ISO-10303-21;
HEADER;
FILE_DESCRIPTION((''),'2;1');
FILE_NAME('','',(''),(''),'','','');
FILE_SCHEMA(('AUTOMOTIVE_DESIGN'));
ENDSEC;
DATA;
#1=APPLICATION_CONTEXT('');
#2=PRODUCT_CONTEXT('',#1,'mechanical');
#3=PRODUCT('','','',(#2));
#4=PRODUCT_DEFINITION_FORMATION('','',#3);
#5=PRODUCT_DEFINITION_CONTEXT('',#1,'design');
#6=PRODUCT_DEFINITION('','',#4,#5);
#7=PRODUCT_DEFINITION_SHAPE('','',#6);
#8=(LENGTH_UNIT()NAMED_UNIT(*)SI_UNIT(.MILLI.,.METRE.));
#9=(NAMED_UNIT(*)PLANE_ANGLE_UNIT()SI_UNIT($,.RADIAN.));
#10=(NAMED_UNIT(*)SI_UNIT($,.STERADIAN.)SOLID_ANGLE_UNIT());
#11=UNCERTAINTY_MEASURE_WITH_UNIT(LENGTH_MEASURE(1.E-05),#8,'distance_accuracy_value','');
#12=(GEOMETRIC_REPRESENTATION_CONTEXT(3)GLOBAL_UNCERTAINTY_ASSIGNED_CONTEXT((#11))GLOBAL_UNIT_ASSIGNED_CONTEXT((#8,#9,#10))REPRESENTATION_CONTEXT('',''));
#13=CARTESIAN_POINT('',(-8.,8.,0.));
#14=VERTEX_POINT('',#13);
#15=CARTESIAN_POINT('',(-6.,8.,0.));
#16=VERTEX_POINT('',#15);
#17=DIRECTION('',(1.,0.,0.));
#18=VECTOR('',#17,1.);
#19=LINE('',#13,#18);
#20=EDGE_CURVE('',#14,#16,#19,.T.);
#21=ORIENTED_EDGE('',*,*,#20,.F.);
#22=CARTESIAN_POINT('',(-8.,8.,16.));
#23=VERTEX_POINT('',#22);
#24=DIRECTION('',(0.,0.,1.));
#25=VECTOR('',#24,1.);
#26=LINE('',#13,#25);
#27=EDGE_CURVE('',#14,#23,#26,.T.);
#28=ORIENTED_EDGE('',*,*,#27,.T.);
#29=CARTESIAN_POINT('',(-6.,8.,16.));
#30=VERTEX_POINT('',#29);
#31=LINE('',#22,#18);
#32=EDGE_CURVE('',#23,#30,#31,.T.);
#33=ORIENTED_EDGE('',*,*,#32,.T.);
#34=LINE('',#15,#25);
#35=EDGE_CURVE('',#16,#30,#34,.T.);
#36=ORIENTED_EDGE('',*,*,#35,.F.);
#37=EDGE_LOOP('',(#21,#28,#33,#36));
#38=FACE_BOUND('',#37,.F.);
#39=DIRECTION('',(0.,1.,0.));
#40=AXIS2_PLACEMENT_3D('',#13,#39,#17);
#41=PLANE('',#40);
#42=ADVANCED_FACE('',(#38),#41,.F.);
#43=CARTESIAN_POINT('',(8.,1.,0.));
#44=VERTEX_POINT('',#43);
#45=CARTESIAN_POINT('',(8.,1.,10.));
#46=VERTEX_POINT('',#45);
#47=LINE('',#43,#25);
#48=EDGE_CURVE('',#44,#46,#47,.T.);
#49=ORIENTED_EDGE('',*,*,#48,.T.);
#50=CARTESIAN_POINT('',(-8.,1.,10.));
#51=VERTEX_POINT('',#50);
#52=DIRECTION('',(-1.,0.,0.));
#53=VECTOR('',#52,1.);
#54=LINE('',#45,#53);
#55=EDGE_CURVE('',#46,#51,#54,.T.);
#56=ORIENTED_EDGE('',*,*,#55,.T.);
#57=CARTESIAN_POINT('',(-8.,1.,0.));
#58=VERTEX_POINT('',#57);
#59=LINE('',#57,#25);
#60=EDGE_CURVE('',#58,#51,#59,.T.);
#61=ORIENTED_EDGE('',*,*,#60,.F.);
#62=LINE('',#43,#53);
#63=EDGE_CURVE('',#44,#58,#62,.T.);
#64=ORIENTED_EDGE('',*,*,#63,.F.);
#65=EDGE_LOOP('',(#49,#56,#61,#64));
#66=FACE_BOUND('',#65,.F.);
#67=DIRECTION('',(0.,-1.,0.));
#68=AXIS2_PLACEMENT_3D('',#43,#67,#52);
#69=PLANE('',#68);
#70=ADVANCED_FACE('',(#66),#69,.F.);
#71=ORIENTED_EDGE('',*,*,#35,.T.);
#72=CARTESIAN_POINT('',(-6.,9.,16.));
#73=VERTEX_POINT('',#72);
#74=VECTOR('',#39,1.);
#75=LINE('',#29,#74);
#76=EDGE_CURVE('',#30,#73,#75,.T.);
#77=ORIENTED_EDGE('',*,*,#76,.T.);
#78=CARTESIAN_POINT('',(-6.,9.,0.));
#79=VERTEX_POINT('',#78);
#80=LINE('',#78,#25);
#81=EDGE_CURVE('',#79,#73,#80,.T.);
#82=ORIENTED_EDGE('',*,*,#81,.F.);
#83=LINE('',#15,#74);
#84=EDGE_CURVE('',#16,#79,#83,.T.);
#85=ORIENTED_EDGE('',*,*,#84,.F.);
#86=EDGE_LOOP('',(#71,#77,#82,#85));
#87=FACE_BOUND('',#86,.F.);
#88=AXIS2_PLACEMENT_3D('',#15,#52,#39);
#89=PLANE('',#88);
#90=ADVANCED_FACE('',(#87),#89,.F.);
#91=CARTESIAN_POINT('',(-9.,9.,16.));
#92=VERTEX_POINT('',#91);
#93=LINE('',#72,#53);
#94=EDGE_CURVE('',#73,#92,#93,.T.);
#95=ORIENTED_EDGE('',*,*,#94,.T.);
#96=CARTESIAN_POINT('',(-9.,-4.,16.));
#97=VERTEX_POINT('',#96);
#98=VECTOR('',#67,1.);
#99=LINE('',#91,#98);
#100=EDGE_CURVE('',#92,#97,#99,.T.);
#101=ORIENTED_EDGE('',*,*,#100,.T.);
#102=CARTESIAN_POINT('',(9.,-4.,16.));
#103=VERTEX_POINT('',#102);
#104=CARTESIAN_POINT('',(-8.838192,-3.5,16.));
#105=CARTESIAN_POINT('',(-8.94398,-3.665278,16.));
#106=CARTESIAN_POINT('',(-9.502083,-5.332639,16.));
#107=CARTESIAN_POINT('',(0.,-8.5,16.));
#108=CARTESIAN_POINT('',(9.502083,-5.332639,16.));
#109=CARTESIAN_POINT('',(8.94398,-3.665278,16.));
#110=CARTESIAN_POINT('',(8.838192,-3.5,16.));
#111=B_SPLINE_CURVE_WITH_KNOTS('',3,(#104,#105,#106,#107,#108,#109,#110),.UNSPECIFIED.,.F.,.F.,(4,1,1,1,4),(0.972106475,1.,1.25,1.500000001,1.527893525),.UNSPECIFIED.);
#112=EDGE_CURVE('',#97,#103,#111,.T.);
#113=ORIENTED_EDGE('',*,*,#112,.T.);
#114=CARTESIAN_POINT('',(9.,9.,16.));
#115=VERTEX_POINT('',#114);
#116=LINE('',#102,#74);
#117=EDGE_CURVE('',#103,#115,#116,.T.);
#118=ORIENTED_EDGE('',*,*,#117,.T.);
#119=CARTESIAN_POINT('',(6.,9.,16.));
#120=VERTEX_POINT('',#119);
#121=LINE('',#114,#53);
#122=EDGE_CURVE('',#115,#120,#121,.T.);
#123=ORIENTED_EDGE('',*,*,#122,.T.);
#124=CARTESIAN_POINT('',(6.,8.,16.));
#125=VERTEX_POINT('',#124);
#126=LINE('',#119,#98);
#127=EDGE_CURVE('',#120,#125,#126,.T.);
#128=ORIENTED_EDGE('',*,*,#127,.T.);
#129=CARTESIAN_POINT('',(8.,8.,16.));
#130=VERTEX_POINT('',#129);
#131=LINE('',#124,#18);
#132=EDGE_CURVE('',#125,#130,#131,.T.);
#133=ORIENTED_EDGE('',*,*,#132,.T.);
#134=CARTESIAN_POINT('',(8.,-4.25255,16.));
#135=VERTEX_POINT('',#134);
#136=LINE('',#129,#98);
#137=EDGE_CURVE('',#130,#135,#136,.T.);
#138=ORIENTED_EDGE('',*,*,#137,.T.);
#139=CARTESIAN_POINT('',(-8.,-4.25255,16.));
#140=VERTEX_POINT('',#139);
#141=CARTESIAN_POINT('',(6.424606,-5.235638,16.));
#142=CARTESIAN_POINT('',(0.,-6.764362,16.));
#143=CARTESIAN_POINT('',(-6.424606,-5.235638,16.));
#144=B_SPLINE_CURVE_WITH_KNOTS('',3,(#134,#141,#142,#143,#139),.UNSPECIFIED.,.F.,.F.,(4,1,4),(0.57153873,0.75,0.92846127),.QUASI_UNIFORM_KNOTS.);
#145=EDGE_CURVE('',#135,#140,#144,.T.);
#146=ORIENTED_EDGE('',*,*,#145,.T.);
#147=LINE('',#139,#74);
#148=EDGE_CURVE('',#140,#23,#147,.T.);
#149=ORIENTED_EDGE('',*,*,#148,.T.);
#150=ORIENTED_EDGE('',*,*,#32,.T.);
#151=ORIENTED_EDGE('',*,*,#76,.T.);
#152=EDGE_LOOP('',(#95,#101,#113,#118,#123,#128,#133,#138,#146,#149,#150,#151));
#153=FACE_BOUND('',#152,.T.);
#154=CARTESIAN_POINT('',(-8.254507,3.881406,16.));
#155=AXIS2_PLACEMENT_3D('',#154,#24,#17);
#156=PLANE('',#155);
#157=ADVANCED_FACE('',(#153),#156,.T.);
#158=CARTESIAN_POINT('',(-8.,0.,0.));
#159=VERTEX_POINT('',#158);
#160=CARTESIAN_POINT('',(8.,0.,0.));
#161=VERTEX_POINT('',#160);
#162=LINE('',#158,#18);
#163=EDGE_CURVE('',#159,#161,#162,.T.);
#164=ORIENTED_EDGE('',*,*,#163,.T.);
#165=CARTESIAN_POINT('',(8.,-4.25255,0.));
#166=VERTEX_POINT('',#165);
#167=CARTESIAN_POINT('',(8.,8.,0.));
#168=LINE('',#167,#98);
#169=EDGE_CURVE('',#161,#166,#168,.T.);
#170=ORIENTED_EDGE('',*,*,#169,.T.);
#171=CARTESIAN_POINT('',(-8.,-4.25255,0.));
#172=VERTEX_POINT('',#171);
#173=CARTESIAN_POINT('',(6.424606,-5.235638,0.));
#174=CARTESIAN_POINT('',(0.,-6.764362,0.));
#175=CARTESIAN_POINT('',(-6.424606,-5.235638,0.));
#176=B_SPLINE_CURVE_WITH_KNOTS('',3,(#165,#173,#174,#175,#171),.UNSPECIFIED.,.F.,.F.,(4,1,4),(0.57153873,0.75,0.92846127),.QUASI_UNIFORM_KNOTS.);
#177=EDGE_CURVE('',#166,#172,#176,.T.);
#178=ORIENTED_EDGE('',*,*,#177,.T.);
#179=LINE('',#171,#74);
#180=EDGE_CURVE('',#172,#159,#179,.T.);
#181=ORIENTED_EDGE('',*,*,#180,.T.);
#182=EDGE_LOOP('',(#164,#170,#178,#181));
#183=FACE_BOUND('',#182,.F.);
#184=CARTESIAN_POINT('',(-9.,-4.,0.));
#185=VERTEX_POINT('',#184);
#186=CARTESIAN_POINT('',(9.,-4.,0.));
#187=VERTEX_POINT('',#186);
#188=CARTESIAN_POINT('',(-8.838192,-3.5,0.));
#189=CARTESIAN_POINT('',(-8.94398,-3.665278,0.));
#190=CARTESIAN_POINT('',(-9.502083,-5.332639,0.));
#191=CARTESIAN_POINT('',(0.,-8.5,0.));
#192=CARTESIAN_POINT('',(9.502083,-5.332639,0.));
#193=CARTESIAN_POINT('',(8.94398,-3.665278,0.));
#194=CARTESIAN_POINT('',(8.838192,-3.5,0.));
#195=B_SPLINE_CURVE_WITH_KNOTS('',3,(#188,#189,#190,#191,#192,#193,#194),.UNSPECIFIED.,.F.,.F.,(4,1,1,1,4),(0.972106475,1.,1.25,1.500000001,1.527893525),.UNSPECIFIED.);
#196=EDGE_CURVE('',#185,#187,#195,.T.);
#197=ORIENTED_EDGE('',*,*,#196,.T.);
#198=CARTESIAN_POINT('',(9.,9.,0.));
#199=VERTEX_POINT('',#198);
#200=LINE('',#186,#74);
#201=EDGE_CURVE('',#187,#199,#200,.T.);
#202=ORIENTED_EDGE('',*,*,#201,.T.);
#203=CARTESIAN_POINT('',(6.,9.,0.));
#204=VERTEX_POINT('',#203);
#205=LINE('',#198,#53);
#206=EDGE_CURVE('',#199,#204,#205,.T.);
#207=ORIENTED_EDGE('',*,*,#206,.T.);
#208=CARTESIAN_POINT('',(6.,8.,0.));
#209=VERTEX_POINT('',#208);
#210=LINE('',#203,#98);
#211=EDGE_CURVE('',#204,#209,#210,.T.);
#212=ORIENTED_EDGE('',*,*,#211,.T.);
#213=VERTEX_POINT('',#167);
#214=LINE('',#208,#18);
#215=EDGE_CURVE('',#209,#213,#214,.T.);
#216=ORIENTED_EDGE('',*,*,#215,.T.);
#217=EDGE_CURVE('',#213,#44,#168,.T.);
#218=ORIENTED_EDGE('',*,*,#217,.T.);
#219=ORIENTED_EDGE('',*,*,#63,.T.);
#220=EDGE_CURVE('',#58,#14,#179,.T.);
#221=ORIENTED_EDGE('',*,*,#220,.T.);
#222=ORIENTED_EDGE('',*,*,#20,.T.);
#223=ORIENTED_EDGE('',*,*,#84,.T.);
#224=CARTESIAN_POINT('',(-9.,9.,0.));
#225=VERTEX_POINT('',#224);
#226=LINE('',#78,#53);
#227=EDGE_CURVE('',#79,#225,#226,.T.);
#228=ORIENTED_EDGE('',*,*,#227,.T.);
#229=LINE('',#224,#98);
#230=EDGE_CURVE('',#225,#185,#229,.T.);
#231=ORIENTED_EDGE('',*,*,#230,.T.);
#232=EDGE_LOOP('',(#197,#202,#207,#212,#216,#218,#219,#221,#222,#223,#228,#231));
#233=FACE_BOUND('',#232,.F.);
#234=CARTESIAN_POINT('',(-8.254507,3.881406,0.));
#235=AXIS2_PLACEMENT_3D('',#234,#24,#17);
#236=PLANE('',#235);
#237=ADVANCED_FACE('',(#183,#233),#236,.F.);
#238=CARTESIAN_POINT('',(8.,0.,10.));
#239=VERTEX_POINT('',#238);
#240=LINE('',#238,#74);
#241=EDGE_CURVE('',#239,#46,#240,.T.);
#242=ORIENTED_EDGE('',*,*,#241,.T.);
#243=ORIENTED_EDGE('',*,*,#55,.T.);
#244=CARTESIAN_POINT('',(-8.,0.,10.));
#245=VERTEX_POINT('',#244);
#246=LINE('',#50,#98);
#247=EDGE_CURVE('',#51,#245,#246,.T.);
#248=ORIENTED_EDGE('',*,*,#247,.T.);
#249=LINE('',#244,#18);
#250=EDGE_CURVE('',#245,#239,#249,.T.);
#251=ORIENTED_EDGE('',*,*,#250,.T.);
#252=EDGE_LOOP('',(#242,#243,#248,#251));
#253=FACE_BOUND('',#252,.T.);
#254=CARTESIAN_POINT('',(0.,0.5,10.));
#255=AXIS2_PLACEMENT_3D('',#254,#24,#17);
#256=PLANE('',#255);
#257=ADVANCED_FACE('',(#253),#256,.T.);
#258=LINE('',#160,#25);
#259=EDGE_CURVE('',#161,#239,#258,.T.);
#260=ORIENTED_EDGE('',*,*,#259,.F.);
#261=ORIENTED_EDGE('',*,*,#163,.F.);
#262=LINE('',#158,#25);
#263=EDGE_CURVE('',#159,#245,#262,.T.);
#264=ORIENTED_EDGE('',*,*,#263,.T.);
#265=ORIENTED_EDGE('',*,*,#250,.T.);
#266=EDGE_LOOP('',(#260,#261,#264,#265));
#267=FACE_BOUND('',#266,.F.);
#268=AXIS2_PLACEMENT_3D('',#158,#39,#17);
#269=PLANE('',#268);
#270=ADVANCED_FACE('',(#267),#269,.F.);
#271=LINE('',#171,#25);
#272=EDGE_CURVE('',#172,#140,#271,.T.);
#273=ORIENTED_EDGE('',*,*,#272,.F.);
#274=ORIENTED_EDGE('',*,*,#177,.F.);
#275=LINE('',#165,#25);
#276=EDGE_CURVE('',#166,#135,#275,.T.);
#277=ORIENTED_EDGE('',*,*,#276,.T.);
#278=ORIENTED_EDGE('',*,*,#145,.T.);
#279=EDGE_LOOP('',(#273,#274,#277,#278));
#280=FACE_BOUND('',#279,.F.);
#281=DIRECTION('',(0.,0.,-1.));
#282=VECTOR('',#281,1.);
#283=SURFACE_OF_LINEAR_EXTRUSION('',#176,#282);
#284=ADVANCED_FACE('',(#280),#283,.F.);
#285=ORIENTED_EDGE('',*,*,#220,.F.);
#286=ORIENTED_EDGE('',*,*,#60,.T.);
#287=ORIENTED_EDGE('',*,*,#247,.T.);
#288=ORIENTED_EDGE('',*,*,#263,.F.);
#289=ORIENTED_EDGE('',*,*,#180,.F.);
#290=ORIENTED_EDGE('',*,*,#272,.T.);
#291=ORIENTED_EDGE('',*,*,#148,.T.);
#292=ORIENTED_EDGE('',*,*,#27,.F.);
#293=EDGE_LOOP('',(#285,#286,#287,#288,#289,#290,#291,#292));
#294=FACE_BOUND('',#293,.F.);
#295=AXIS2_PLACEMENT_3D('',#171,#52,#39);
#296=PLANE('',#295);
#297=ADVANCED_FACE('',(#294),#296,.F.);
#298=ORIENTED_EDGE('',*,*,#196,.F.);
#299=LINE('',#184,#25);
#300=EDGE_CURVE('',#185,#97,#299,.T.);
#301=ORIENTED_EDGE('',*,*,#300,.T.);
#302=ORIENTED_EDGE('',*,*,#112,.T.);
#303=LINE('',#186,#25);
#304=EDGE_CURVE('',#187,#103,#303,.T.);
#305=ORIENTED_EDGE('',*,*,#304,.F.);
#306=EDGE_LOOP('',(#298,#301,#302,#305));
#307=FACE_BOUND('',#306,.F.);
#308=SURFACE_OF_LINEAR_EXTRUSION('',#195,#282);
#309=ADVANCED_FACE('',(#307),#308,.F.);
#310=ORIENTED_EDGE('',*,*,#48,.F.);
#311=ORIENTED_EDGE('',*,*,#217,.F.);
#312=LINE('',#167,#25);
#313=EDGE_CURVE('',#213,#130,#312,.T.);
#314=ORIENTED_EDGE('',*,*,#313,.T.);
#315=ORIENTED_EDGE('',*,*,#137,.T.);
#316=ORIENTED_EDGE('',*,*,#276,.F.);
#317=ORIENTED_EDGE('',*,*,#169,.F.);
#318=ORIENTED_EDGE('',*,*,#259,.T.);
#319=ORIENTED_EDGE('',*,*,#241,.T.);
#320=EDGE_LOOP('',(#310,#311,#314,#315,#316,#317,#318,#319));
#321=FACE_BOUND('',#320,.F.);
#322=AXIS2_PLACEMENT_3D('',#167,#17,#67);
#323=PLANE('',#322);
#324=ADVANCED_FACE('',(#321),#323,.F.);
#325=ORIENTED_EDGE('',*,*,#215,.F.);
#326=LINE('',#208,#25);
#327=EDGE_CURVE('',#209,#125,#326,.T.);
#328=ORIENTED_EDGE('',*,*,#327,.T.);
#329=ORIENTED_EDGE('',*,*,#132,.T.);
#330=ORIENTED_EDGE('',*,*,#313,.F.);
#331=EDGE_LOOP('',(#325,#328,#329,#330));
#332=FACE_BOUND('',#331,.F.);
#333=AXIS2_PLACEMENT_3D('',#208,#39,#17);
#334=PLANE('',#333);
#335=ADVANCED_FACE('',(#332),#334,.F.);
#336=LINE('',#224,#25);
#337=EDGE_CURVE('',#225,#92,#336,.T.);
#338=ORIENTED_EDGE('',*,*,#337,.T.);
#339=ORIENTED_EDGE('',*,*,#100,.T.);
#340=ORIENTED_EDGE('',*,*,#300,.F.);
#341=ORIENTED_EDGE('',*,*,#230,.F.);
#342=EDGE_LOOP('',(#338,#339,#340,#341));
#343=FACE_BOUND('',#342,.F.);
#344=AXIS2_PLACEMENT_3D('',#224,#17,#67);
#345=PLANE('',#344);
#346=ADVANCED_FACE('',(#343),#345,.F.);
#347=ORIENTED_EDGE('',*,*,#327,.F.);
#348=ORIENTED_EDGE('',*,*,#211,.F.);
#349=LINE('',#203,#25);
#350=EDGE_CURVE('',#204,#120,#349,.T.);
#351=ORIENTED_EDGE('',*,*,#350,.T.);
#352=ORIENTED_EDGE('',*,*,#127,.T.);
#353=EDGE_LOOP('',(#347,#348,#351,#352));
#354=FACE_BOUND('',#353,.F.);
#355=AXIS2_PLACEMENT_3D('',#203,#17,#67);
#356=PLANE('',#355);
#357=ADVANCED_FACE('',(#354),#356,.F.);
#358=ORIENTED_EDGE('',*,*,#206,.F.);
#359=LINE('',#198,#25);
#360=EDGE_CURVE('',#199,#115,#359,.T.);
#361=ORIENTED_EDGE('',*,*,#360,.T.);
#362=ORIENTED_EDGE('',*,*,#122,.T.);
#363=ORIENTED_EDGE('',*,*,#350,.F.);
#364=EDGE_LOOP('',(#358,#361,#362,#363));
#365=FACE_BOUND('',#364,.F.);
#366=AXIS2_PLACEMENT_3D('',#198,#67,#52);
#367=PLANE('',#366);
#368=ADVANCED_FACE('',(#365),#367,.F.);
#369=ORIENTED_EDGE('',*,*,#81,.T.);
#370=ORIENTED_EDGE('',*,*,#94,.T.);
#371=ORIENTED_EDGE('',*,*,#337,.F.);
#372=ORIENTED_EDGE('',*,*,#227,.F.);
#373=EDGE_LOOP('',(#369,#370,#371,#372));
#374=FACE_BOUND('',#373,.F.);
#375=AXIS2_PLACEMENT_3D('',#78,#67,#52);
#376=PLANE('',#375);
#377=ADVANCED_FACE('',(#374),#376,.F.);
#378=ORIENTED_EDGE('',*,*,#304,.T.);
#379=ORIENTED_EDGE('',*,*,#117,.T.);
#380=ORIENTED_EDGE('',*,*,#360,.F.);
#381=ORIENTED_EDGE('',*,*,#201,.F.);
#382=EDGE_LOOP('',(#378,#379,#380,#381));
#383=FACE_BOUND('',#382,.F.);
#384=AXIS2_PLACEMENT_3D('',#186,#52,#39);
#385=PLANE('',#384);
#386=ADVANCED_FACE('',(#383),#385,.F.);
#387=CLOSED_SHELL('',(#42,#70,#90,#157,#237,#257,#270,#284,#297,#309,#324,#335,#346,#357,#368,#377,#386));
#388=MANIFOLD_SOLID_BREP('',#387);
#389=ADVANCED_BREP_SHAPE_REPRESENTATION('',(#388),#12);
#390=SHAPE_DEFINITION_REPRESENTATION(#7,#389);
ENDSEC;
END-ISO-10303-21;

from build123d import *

# Parameters (mm, degrees)
F1_DEPTH = 16
F2_DEPTH = 10


with BuildPart() as f1:
    # F0 (on Top) → F1 (new body)
    with BuildSketch(Plane.XY):
        with BuildLine():
            Line((-9, 9), (-9, 0))
            Line((-9, 0), (-9, -3))
            add(Edge.make_bspline(
                [(-9, -3), (-9, -2.5707676204), (-8.6315191286, -2.1415352408), (-8, -1.7474503993)],
                knots=[0, 0, 0, 0, 0.0715387299, 0.0715387299, 0.0715387299, 0.0715387299], degree=3))
            Line((-8, -1.7474503993), (-8, 0))
            Line((-8, 0), (-8, 1))
            Line((-8, 1), (-8, 8))
            Line((-8, 8), (-6, 8))
            Line((-6, 8), (-6, 9))
            Line((-6, 9), (-9, 9))
        make_face()
        with BuildLine():
            add(Edge.make_bspline(
                [(-9, -3), (-9, -2.5707676204), (-8.6315191286, -2.1415352408), (-8, -1.7474503993)],
                knots=[0, 0, 0, 0, 0.0715387299, 0.0715387299, 0.0715387299, 0.0715387299], degree=3))
            add(Edge.make_bspline(
                [(-8.8381918042, -3.5), (-8.9439804927, -3.3347222947), (-9, -3.1673611473), (-9, -3)],
                knots=[0.9721064754, 0.9721064754, 0.9721064754, 0.9721064754, 1, 1, 1, 1], degree=3))
            add(Edge.make_bspline(
                [(-8, -2.7474503993), (-8.3852847555, -2.9878784004), (-8.6726634562, -3.2413887449), (-8.8381918042, -3.5)],
                knots=[0.9284612701, 0.9284612701, 0.9284612701, 0.9284612701, 0.9721064754, 0.9721064754, 0.9721064754, 0.9721064754], degree=3))
            Line((-8, -2.7474503993), (-8, -1.7474503993))
        make_face()
        with BuildLine():
            add(Edge.make_bspline(
                [(-8.8381918042, -3.5), (-8.9439804927, -3.3347222947), (-9, -3.1673611473), (-9, -3)],
                knots=[0.9721064754, 0.9721064754, 0.9721064754, 0.9721064754, 1, 1, 1, 1], degree=3))
            Line((-9, -3), (-9, -4))
            add(Edge.make_bspline(
                [(-8.8381918042, -3.5), (-8.9439804927, -3.6652777053), (-9, -3.8326388527), (-9, -4)],
                knots=[0.9721064754, 0.9721064754, 0.9721064754, 0.9721064754, 1, 1, 1, 1], degree=3))
        make_face()
        with BuildLine():
            add(Edge.make_bspline(
                [(-8, -2.7474503993), (-8.3852847555, -2.9878784004), (-8.6726634562, -3.2413887449), (-8.8381918042, -3.5)],
                knots=[0.9284612701, 0.9284612701, 0.9284612701, 0.9284612701, 0.9721064754, 0.9721064754, 0.9721064754, 0.9721064754], degree=3))
            add(Edge.make_bspline(
                [(-8, -4.2525496007), (-8.3852847555, -4.0121215996), (-8.6726634562, -3.7586112551), (-8.8381918042, -3.5)],
                knots=[0.9284612701, 0.9284612701, 0.9284612701, 0.9284612701, 0.9721064754, 0.9721064754, 0.9721064754, 0.9721064754], degree=3))
            Line((-8, -4.2525496007), (-8, -2.7474503993))
        make_face()
        with BuildLine():
            add(Edge.make_bspline(
                [(-8.8381918042, -3.5), (-8.9439804927, -3.6652777053), (-9, -3.8326388527), (-9, -4)],
                knots=[0.9721064754, 0.9721064754, 0.9721064754, 0.9721064754, 1, 1, 1, 1], degree=3))
            add(Edge.make_bspline(
                [(-9, -4), (-9, -5.5), (0, -8.5), (9, -5.5), (9, -4)],
                knots=[0, 0, 0, 0, 0.25, 0.5, 0.5, 0.5, 0.5], degree=3))
            add(Edge.make_bspline(
                [(9, -4), (9, -3.8326388527), (8.9439804927, -3.6652777053), (8.8381918042, -3.5)],
                knots=[0.5, 0.5, 0.5, 0.5, 0.5278935246, 0.5278935246, 0.5278935246, 0.5278935246], degree=3))
            add(Edge.make_bspline(
                [(8.8381918042, -3.5), (8.6726634562, -3.7586112551), (8.3852847555, -4.0121215996), (8, -4.2525496007)],
                knots=[0.5278935246, 0.5278935246, 0.5278935246, 0.5278935246, 0.5715387299, 0.5715387299, 0.5715387299, 0.5715387299], degree=3))
            add(Edge.make_bspline(
                [(8, -4.2525496007), (6.4246057224, -5.2356378021), (0, -6.7643621979), (-6.4246057224, -5.2356378021), (-8, -4.2525496007)],
                knots=[0.5715387299, 0.5715387299, 0.5715387299, 0.5715387299, 0.75, 0.9284612701, 0.9284612701, 0.9284612701, 0.9284612701], degree=3))
            add(Edge.make_bspline(
                [(-8, -4.2525496007), (-8.3852847555, -4.0121215996), (-8.6726634562, -3.7586112551), (-8.8381918042, -3.5)],
                knots=[0.9284612701, 0.9284612701, 0.9284612701, 0.9284612701, 0.9721064754, 0.9721064754, 0.9721064754, 0.9721064754], degree=3))
        make_face()
        with BuildLine():
            add(Edge.make_bspline(
                [(8.8381918042, -3.5), (8.6726634562, -3.7586112551), (8.3852847555, -4.0121215996), (8, -4.2525496007)],
                knots=[0.5278935246, 0.5278935246, 0.5278935246, 0.5278935246, 0.5715387299, 0.5715387299, 0.5715387299, 0.5715387299], degree=3))
            add(Edge.make_bspline(
                [(8.8381918042, -3.5), (8.6726634562, -3.2413887449), (8.3852847555, -2.9878784004), (8, -2.7474503993)],
                knots=[0.5278935246, 0.5278935246, 0.5278935246, 0.5278935246, 0.5715387299, 0.5715387299, 0.5715387299, 0.5715387299], degree=3))
            Line((8, -2.7474503993), (8, -4.2525496007))
        make_face()
        with BuildLine():
            add(Edge.make_bspline(
                [(9, -3), (9, -3.1673611473), (8.9439804927, -3.3347222947), (8.8381918042, -3.5)],
                knots=[0.5, 0.5, 0.5, 0.5, 0.5278935246, 0.5278935246, 0.5278935246, 0.5278935246], degree=3))
            add(Edge.make_bspline(
                [(8, -1.7474503993), (8.6315191286, -2.1415352408), (9, -2.5707676204), (9, -3)],
                knots=[0.4284612701, 0.4284612701, 0.4284612701, 0.4284612701, 0.5, 0.5, 0.5, 0.5], degree=3))
            Line((8, -1.7474503993), (8, -2.7474503993))
            add(Edge.make_bspline(
                [(8.8381918042, -3.5), (8.6726634562, -3.2413887449), (8.3852847555, -2.9878784004), (8, -2.7474503993)],
                knots=[0.5278935246, 0.5278935246, 0.5278935246, 0.5278935246, 0.5715387299, 0.5715387299, 0.5715387299, 0.5715387299], degree=3))
        make_face()
        with BuildLine():
            add(Edge.make_bspline(
                [(8, -1.7474503993), (8.6315191286, -2.1415352408), (9, -2.5707676204), (9, -3)],
                knots=[0.4284612701, 0.4284612701, 0.4284612701, 0.4284612701, 0.5, 0.5, 0.5, 0.5], degree=3))
            Line((9, -3), (9, 0))
            Line((9, 0), (9, 9))
            Line((9, 9), (6, 9))
            Line((6, 9), (6, 8))
            Line((6, 8), (8, 8))
            Line((8, 8), (8, 1))
            Line((8, 1), (8, 0))
            Line((8, 0), (8, -1.7474503993))
        make_face()
        with BuildLine():
            add(Edge.make_bspline(
                [(9, -4), (9, -3.8326388527), (8.9439804927, -3.6652777053), (8.8381918042, -3.5)],
                knots=[0.5, 0.5, 0.5, 0.5, 0.5278935246, 0.5278935246, 0.5278935246, 0.5278935246], degree=3))
            Line((9, -4), (9, -3))
            add(Edge.make_bspline(
                [(9, -3), (9, -3.1673611473), (8.9439804927, -3.3347222947), (8.8381918042, -3.5)],
                knots=[0.5, 0.5, 0.5, 0.5, 0.5278935246, 0.5278935246, 0.5278935246, 0.5278935246], degree=3))
        make_face()
    extrude(amount=F1_DEPTH)

    # F0 (on Top) → F2 (join)
    with BuildSketch(Plane.XY):
        Polygon((-8, 0), (0, 0), (8, 0), (8, 1), (-8, 1), align=None)
    extrude(amount=F2_DEPTH)


solid = f1.part
